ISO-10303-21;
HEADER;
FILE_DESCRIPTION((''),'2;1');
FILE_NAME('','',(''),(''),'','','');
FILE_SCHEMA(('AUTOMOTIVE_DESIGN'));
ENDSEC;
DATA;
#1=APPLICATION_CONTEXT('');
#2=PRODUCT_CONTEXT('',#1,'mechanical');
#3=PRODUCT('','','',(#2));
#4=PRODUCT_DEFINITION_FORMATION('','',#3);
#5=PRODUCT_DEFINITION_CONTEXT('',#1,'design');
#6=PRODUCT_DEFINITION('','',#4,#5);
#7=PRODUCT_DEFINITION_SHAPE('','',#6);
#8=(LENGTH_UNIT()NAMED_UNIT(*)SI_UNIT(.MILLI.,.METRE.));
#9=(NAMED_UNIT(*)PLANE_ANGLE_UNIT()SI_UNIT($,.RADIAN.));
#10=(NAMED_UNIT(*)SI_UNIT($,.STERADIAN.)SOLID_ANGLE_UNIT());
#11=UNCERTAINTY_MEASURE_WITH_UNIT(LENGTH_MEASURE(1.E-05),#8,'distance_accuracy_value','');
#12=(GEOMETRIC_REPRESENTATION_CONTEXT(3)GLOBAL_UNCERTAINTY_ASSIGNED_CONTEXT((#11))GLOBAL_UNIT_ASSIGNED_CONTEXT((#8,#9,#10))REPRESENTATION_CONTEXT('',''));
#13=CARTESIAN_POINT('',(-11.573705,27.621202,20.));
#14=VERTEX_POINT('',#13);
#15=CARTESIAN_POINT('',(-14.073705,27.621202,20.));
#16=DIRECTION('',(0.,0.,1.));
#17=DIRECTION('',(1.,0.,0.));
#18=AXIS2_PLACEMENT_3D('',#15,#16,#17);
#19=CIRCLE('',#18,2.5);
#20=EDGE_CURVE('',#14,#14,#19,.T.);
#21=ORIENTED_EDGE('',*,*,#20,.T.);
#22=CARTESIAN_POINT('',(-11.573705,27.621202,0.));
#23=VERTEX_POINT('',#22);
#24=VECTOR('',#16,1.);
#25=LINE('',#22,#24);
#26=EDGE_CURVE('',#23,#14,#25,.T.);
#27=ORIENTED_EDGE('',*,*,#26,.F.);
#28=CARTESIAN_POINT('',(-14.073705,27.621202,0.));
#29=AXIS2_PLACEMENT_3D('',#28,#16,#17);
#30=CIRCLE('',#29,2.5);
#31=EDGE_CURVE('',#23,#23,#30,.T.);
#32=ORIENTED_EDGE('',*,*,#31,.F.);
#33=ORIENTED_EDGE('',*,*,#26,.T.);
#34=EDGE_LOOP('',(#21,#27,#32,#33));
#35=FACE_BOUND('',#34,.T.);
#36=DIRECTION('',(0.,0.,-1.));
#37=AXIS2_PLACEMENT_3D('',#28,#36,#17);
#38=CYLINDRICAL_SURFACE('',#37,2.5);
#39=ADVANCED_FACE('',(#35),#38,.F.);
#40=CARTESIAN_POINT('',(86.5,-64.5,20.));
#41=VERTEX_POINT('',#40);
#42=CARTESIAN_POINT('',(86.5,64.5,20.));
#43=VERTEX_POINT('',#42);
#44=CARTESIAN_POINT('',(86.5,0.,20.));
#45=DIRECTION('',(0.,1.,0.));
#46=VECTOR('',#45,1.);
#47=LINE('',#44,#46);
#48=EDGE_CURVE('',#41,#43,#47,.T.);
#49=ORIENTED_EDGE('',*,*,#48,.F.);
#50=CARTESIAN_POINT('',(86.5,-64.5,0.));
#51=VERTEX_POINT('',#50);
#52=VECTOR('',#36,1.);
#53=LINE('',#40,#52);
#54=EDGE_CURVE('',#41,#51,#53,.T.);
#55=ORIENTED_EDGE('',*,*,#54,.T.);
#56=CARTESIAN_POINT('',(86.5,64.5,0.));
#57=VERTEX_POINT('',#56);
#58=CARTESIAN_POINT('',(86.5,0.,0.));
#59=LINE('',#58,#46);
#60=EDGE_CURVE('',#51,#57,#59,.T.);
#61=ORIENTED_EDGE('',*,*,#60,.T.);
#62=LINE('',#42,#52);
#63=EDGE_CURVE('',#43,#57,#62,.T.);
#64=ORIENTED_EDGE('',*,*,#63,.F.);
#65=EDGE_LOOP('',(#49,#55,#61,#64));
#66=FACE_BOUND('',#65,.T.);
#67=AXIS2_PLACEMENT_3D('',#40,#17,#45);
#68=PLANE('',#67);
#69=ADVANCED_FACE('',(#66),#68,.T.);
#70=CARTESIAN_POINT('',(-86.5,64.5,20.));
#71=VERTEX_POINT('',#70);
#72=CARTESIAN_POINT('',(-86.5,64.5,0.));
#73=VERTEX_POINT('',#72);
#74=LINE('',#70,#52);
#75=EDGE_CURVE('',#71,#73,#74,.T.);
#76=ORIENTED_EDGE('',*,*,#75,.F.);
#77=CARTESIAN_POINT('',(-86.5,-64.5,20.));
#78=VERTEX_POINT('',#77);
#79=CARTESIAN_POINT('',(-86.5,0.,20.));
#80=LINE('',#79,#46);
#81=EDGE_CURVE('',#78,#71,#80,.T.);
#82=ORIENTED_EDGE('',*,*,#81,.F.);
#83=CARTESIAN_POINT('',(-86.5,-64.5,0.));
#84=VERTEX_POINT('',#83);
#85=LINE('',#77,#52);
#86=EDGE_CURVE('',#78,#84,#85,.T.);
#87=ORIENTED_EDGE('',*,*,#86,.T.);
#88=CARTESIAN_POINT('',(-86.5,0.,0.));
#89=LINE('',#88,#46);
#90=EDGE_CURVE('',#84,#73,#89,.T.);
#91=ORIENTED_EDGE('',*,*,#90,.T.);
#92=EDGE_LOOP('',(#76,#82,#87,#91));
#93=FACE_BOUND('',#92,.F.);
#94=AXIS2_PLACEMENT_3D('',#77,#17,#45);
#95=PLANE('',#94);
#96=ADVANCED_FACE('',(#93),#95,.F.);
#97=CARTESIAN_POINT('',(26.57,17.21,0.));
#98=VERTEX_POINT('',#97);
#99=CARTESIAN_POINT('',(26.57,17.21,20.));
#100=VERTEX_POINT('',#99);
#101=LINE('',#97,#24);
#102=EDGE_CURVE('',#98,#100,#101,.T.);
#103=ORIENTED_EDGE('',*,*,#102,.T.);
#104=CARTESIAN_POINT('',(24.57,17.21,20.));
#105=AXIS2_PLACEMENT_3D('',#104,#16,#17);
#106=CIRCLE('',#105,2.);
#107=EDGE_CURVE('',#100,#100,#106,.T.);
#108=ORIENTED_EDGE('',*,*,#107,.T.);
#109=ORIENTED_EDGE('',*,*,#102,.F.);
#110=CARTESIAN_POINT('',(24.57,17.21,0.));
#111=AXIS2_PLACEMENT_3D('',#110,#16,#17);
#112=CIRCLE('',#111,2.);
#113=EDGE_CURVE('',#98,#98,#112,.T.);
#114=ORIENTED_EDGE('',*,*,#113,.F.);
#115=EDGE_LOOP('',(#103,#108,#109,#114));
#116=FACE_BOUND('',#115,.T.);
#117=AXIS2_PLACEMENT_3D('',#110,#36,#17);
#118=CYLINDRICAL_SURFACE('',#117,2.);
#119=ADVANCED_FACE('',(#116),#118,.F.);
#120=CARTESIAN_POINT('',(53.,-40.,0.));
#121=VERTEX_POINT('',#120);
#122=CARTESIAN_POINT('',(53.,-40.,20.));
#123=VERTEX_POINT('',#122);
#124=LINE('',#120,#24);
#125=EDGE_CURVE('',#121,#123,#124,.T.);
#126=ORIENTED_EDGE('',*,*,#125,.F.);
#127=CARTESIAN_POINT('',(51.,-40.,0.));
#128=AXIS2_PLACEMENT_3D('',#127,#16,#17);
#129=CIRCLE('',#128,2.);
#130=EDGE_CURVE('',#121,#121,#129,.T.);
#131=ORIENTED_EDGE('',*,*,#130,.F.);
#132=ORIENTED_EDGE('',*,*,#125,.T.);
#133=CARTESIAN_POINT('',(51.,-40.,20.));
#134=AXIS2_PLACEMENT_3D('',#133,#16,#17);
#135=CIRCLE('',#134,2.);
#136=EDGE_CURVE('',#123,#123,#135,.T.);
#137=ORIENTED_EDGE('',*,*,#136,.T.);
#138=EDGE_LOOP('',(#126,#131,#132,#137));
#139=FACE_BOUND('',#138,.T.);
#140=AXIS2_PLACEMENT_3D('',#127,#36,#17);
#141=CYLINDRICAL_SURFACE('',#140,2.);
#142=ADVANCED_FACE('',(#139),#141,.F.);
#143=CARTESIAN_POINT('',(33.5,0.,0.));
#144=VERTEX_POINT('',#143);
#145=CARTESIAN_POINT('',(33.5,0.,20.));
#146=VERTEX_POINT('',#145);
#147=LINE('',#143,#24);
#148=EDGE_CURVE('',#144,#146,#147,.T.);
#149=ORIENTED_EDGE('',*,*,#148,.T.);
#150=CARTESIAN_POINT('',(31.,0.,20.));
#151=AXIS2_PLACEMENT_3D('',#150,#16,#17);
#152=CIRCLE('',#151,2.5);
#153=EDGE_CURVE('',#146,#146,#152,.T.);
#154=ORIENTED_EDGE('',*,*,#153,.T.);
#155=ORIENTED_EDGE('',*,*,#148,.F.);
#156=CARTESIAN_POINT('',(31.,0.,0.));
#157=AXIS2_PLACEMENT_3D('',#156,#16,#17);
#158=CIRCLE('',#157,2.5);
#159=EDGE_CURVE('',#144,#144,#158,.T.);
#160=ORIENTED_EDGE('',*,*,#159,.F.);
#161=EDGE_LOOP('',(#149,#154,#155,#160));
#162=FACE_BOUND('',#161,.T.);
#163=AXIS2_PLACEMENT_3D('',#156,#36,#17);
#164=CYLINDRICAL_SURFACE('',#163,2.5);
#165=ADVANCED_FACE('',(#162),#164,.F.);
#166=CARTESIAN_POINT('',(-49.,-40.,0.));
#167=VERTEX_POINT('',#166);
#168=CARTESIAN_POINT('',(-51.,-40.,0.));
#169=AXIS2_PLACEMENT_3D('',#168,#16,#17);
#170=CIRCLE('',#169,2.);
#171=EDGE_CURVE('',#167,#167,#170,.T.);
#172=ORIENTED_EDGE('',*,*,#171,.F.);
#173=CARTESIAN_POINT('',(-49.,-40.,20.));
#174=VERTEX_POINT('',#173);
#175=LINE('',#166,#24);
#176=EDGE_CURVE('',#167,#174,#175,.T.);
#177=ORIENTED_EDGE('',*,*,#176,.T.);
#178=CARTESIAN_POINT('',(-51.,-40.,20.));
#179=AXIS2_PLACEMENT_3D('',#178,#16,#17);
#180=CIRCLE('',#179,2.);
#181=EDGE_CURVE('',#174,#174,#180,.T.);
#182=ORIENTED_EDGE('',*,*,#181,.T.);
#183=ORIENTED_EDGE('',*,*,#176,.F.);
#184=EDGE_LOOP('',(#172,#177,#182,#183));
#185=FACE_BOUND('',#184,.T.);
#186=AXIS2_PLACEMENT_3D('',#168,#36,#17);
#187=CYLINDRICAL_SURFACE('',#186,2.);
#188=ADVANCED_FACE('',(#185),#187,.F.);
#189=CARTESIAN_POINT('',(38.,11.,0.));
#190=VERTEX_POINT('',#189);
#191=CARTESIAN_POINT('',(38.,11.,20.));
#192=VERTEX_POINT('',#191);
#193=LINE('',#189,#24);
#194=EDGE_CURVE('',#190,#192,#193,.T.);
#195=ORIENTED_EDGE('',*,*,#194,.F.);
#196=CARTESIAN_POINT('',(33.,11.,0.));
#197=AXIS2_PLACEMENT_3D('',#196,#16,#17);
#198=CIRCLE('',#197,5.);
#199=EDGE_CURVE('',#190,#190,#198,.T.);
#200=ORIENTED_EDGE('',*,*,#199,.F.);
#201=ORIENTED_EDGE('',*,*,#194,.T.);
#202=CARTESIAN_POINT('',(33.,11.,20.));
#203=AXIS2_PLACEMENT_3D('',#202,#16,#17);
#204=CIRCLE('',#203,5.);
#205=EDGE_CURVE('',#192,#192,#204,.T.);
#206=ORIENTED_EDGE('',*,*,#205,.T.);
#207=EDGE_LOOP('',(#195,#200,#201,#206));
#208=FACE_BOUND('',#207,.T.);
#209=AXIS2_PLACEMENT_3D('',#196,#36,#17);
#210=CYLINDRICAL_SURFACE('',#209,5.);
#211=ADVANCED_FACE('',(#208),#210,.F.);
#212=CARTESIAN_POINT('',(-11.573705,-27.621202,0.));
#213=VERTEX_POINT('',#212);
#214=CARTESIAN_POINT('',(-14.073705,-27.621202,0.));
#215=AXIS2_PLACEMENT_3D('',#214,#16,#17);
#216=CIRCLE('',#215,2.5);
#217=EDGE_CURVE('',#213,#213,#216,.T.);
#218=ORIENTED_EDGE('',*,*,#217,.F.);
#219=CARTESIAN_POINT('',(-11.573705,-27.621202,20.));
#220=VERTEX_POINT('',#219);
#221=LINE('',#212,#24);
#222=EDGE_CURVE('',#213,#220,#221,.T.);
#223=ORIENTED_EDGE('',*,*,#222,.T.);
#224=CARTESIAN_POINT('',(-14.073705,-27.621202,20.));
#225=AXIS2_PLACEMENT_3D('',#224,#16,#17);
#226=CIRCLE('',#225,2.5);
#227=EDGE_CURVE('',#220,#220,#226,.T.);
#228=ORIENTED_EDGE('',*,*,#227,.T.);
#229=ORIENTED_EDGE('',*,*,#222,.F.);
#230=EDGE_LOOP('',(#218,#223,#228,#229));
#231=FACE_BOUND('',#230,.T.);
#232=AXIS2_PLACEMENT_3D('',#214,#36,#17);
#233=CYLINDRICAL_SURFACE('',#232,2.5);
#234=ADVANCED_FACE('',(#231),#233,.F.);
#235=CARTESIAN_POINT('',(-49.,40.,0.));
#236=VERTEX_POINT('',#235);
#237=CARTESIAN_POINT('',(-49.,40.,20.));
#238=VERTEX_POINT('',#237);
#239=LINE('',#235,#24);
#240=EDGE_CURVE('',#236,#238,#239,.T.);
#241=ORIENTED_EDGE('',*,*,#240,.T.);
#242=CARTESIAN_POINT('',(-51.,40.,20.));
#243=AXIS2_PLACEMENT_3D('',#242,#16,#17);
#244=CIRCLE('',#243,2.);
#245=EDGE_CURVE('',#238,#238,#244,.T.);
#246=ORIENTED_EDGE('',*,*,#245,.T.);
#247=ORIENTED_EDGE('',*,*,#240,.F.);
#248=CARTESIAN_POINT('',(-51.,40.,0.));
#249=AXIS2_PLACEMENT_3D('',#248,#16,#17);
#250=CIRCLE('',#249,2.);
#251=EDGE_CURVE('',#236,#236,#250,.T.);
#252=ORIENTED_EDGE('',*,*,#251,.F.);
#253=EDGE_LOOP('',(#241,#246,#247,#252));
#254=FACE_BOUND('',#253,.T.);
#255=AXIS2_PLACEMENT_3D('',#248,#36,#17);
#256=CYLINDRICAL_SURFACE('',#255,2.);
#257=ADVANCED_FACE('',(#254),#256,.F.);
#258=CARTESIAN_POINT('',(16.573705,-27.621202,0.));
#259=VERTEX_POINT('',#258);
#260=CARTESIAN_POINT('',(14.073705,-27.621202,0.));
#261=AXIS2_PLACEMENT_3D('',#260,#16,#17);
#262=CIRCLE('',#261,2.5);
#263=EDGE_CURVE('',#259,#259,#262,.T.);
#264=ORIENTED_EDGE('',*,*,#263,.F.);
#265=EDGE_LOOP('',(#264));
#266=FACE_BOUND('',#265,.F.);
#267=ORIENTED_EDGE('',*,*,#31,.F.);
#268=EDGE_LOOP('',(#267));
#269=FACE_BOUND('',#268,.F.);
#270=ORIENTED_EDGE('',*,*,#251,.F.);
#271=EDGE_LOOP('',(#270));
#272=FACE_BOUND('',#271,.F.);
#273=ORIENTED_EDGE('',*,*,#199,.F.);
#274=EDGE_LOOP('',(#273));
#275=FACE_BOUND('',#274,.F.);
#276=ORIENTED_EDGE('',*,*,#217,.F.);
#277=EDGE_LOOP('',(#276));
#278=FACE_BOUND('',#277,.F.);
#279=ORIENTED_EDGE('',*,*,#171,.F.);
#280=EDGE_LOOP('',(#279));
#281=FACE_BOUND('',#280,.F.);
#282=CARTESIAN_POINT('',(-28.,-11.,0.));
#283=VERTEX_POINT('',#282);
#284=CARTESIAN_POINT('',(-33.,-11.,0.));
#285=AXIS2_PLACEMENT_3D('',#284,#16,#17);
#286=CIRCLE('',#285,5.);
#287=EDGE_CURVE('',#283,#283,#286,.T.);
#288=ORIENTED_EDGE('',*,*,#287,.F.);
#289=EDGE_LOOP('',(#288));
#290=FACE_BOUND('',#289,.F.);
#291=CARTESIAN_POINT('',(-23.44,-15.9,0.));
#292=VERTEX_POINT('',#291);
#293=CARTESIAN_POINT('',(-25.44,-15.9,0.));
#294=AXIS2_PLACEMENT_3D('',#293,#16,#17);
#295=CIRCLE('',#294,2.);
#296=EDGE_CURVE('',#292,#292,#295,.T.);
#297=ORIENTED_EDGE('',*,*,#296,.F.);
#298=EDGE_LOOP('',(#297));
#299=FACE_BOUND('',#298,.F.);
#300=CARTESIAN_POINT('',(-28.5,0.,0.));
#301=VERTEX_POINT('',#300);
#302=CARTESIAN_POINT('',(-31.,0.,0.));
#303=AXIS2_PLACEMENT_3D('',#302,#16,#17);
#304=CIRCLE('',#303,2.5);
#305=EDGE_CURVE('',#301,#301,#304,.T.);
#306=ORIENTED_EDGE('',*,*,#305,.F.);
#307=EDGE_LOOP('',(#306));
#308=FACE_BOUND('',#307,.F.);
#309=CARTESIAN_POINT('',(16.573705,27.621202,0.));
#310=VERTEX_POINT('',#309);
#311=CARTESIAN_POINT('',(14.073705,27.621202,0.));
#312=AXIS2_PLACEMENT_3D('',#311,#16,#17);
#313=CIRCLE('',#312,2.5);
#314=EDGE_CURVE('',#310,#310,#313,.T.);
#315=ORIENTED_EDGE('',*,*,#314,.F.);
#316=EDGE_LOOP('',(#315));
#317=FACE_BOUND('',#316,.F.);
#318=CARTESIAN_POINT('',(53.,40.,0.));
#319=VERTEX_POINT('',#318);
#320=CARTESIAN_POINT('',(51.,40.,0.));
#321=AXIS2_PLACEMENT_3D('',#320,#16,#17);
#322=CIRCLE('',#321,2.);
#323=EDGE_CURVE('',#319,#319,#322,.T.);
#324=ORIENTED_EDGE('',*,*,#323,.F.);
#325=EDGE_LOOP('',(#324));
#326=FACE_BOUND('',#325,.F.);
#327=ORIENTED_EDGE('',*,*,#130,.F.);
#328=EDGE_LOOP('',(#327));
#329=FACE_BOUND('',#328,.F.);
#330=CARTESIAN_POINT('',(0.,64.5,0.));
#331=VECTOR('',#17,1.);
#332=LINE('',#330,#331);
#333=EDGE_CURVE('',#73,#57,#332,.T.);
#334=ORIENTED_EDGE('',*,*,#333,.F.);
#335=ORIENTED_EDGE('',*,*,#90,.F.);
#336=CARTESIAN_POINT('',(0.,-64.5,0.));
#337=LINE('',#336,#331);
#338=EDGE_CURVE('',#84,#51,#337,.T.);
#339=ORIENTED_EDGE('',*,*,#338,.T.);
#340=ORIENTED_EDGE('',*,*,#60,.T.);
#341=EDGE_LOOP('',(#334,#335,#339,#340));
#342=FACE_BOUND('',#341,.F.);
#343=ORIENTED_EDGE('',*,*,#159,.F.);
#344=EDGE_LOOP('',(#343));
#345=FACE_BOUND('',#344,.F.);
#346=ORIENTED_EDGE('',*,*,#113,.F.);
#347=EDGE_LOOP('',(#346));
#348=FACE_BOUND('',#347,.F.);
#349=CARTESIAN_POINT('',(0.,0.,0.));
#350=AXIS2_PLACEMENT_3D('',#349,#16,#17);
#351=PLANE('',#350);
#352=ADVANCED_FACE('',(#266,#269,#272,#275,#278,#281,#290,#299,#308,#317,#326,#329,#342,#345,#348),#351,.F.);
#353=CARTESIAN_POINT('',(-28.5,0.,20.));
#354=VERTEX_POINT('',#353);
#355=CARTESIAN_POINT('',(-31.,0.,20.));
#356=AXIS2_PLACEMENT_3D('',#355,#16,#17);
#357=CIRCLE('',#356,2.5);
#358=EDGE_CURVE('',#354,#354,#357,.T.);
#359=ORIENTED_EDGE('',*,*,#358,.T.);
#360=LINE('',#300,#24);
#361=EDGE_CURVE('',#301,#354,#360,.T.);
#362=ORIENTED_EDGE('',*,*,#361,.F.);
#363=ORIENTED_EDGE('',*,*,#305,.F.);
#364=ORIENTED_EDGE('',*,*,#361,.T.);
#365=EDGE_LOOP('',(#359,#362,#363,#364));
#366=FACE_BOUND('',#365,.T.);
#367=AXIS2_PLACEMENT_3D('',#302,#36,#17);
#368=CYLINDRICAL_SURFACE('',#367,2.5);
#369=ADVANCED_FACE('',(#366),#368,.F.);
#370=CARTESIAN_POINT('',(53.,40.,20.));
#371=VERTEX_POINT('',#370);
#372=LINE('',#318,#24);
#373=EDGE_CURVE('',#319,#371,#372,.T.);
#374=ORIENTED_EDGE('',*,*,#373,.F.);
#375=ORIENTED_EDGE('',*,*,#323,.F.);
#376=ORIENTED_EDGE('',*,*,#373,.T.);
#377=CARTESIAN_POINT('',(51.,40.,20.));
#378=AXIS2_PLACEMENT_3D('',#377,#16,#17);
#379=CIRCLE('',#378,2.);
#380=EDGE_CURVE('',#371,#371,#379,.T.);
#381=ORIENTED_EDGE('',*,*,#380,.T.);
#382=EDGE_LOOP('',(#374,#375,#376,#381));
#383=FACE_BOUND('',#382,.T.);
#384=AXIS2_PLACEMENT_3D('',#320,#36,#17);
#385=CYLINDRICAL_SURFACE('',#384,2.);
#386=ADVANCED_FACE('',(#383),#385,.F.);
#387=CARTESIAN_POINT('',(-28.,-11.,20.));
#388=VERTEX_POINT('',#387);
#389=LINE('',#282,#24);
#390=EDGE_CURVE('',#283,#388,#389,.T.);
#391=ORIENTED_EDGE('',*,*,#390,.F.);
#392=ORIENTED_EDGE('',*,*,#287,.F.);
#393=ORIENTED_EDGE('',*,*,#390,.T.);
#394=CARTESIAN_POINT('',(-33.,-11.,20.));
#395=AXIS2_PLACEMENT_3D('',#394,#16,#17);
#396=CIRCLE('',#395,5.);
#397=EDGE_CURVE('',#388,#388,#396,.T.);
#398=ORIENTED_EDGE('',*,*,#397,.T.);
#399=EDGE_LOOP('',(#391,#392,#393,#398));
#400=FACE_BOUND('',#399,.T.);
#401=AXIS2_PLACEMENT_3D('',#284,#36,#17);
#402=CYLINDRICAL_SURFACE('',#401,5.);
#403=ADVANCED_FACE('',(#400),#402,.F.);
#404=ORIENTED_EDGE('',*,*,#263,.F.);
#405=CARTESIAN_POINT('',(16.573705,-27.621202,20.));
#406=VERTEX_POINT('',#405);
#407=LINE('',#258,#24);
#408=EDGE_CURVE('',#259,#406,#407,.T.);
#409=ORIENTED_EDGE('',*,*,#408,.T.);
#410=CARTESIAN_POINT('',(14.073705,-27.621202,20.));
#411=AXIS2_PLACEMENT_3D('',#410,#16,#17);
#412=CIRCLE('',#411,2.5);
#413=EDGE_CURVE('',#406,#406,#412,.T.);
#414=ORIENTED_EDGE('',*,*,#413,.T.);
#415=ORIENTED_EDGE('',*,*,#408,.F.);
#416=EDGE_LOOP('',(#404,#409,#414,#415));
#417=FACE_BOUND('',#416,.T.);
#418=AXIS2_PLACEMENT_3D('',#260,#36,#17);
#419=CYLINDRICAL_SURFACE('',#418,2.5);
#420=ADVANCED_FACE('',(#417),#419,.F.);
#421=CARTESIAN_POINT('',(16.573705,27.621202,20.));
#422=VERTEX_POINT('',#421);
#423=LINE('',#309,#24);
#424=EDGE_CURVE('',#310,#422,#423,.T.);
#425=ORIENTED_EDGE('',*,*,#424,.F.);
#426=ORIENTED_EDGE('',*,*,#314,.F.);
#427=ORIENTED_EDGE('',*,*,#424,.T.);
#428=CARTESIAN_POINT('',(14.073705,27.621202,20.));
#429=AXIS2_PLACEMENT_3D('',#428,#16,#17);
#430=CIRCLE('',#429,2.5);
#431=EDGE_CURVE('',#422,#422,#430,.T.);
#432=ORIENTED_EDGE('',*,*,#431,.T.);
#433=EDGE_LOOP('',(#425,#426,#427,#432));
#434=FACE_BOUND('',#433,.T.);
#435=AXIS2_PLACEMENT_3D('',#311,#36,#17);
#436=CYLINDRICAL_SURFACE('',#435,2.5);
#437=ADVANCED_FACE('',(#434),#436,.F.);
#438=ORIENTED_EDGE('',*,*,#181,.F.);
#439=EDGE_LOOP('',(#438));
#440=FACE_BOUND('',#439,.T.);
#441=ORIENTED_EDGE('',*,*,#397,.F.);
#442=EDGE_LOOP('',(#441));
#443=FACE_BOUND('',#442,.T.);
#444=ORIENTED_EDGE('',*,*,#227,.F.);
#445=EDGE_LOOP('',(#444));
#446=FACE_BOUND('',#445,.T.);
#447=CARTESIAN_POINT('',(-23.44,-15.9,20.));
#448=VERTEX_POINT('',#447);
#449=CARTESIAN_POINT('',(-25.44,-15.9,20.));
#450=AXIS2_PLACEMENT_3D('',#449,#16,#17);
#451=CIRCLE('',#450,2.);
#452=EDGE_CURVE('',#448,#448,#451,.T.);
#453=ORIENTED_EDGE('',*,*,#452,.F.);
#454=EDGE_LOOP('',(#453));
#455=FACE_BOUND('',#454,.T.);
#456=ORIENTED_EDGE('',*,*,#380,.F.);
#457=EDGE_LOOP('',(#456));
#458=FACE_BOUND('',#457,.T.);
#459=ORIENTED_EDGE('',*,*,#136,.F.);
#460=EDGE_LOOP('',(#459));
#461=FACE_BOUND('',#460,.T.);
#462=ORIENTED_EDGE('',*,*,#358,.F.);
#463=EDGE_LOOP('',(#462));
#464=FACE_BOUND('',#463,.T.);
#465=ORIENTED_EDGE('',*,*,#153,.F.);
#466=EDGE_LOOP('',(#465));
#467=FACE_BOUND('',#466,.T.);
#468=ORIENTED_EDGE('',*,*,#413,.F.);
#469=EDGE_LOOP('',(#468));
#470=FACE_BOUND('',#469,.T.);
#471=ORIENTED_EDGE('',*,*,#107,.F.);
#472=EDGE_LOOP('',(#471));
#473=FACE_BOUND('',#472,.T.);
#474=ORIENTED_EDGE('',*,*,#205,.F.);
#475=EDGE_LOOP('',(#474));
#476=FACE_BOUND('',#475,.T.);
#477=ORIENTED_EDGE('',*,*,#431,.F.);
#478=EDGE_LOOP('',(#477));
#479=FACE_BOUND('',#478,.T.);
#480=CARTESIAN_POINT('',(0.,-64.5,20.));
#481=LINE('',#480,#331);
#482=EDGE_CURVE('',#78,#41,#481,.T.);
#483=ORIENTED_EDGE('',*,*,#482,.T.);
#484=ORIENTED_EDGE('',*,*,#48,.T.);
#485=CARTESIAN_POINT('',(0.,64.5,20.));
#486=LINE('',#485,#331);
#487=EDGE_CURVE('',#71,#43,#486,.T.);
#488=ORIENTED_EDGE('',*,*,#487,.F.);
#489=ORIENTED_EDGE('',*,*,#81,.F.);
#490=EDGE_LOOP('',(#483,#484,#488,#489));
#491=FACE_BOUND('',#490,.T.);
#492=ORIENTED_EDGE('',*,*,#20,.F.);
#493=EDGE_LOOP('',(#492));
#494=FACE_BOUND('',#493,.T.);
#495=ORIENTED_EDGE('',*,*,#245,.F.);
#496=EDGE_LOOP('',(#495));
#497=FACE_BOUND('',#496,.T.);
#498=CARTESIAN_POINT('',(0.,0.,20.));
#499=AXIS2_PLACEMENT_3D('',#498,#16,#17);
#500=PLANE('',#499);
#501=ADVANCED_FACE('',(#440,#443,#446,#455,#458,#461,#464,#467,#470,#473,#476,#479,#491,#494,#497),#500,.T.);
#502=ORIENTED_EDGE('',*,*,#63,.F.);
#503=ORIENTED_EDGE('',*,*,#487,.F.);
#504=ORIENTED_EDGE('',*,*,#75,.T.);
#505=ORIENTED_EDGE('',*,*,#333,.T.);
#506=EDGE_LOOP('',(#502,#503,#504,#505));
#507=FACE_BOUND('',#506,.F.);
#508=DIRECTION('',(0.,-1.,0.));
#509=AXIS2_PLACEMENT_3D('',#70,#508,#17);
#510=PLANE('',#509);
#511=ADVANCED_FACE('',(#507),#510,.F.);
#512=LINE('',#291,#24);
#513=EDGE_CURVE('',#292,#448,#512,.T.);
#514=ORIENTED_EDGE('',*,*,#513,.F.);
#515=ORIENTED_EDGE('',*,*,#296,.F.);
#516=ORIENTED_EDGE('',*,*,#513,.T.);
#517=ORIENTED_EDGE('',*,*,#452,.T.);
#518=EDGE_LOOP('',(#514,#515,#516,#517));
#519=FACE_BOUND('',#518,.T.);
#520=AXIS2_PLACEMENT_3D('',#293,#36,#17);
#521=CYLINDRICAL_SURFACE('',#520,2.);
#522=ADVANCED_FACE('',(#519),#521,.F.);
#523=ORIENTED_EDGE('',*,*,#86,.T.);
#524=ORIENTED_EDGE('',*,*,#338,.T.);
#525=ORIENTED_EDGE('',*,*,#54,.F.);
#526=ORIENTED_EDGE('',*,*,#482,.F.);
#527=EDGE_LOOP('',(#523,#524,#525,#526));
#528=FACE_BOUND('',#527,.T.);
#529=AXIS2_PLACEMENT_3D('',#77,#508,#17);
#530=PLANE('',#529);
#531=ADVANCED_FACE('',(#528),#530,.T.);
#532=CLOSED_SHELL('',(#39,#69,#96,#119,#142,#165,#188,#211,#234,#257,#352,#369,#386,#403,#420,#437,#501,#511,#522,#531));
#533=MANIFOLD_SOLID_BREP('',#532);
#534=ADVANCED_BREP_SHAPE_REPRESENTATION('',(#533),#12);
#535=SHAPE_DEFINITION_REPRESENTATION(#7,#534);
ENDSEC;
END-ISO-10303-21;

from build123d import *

# Parameters (mm, degrees)
F0_W     = 112
F0_H     = 90
F0_R     = 2
F0_R_2   = 2.5
F0_R_3   = 5
F1_DEPTH = 20
F2_W     = 173
F2_H     = 129
F2_W_2   = 112
F2_H_2   = 90
F3_DEPTH = 20


with BuildPart() as f1:
    # F0 (on Top) → F1 (new body)
    with BuildSketch(Plane.XY):
        Rectangle(F0_W, F0_H)
        with Locations((-51, -40)):
            Circle(F0_R, mode=Mode.SUBTRACT)
        with Locations((-14.073705, -27.621202)):
            Circle(F0_R_2, mode=Mode.SUBTRACT)
        with Locations((-33, -11)):
            Circle(F0_R_3, mode=Mode.SUBTRACT)
        with Locations((-25.44, -15.9)):
            Circle(F0_R, mode=Mode.SUBTRACT)
        with Locations((14.073705, -27.621202)):
            Circle(F0_R_2, mode=Mode.SUBTRACT)
        with Locations((51, -40)):
            Circle(F0_R, mode=Mode.SUBTRACT)
        with Locations((-31, 0)):
            Circle(F0_R_2, mode=Mode.SUBTRACT)
        with Locations((-51, 40)):
            Circle(F0_R, mode=Mode.SUBTRACT)
        with Locations((-14.073705, 27.621202)):
            Circle(F0_R_2, mode=Mode.SUBTRACT)
        with Locations((24.57, 17.21)):
            Circle(F0_R, mode=Mode.SUBTRACT)
        with Locations((31, 0)):
            Circle(F0_R_2, mode=Mode.SUBTRACT)
        with Locations((33, 11)):
            Circle(F0_R_3, mode=Mode.SUBTRACT)
        with Locations((14.073705, 27.621202)):
            Circle(F0_R_2, mode=Mode.SUBTRACT)
        with Locations((51, 40)):
            Circle(F0_R, mode=Mode.SUBTRACT)
    extrude(amount=F1_DEPTH)

    # F2 (on face) → F3 (join, through all)
    with BuildSketch(Plane.XY.offset(20)):
        Rectangle(F2_W, F2_H)
        Rectangle(F2_W_2, F2_H_2, mode=Mode.SUBTRACT)
    extrude(amount=-F3_DEPTH)


solid = f1.part
